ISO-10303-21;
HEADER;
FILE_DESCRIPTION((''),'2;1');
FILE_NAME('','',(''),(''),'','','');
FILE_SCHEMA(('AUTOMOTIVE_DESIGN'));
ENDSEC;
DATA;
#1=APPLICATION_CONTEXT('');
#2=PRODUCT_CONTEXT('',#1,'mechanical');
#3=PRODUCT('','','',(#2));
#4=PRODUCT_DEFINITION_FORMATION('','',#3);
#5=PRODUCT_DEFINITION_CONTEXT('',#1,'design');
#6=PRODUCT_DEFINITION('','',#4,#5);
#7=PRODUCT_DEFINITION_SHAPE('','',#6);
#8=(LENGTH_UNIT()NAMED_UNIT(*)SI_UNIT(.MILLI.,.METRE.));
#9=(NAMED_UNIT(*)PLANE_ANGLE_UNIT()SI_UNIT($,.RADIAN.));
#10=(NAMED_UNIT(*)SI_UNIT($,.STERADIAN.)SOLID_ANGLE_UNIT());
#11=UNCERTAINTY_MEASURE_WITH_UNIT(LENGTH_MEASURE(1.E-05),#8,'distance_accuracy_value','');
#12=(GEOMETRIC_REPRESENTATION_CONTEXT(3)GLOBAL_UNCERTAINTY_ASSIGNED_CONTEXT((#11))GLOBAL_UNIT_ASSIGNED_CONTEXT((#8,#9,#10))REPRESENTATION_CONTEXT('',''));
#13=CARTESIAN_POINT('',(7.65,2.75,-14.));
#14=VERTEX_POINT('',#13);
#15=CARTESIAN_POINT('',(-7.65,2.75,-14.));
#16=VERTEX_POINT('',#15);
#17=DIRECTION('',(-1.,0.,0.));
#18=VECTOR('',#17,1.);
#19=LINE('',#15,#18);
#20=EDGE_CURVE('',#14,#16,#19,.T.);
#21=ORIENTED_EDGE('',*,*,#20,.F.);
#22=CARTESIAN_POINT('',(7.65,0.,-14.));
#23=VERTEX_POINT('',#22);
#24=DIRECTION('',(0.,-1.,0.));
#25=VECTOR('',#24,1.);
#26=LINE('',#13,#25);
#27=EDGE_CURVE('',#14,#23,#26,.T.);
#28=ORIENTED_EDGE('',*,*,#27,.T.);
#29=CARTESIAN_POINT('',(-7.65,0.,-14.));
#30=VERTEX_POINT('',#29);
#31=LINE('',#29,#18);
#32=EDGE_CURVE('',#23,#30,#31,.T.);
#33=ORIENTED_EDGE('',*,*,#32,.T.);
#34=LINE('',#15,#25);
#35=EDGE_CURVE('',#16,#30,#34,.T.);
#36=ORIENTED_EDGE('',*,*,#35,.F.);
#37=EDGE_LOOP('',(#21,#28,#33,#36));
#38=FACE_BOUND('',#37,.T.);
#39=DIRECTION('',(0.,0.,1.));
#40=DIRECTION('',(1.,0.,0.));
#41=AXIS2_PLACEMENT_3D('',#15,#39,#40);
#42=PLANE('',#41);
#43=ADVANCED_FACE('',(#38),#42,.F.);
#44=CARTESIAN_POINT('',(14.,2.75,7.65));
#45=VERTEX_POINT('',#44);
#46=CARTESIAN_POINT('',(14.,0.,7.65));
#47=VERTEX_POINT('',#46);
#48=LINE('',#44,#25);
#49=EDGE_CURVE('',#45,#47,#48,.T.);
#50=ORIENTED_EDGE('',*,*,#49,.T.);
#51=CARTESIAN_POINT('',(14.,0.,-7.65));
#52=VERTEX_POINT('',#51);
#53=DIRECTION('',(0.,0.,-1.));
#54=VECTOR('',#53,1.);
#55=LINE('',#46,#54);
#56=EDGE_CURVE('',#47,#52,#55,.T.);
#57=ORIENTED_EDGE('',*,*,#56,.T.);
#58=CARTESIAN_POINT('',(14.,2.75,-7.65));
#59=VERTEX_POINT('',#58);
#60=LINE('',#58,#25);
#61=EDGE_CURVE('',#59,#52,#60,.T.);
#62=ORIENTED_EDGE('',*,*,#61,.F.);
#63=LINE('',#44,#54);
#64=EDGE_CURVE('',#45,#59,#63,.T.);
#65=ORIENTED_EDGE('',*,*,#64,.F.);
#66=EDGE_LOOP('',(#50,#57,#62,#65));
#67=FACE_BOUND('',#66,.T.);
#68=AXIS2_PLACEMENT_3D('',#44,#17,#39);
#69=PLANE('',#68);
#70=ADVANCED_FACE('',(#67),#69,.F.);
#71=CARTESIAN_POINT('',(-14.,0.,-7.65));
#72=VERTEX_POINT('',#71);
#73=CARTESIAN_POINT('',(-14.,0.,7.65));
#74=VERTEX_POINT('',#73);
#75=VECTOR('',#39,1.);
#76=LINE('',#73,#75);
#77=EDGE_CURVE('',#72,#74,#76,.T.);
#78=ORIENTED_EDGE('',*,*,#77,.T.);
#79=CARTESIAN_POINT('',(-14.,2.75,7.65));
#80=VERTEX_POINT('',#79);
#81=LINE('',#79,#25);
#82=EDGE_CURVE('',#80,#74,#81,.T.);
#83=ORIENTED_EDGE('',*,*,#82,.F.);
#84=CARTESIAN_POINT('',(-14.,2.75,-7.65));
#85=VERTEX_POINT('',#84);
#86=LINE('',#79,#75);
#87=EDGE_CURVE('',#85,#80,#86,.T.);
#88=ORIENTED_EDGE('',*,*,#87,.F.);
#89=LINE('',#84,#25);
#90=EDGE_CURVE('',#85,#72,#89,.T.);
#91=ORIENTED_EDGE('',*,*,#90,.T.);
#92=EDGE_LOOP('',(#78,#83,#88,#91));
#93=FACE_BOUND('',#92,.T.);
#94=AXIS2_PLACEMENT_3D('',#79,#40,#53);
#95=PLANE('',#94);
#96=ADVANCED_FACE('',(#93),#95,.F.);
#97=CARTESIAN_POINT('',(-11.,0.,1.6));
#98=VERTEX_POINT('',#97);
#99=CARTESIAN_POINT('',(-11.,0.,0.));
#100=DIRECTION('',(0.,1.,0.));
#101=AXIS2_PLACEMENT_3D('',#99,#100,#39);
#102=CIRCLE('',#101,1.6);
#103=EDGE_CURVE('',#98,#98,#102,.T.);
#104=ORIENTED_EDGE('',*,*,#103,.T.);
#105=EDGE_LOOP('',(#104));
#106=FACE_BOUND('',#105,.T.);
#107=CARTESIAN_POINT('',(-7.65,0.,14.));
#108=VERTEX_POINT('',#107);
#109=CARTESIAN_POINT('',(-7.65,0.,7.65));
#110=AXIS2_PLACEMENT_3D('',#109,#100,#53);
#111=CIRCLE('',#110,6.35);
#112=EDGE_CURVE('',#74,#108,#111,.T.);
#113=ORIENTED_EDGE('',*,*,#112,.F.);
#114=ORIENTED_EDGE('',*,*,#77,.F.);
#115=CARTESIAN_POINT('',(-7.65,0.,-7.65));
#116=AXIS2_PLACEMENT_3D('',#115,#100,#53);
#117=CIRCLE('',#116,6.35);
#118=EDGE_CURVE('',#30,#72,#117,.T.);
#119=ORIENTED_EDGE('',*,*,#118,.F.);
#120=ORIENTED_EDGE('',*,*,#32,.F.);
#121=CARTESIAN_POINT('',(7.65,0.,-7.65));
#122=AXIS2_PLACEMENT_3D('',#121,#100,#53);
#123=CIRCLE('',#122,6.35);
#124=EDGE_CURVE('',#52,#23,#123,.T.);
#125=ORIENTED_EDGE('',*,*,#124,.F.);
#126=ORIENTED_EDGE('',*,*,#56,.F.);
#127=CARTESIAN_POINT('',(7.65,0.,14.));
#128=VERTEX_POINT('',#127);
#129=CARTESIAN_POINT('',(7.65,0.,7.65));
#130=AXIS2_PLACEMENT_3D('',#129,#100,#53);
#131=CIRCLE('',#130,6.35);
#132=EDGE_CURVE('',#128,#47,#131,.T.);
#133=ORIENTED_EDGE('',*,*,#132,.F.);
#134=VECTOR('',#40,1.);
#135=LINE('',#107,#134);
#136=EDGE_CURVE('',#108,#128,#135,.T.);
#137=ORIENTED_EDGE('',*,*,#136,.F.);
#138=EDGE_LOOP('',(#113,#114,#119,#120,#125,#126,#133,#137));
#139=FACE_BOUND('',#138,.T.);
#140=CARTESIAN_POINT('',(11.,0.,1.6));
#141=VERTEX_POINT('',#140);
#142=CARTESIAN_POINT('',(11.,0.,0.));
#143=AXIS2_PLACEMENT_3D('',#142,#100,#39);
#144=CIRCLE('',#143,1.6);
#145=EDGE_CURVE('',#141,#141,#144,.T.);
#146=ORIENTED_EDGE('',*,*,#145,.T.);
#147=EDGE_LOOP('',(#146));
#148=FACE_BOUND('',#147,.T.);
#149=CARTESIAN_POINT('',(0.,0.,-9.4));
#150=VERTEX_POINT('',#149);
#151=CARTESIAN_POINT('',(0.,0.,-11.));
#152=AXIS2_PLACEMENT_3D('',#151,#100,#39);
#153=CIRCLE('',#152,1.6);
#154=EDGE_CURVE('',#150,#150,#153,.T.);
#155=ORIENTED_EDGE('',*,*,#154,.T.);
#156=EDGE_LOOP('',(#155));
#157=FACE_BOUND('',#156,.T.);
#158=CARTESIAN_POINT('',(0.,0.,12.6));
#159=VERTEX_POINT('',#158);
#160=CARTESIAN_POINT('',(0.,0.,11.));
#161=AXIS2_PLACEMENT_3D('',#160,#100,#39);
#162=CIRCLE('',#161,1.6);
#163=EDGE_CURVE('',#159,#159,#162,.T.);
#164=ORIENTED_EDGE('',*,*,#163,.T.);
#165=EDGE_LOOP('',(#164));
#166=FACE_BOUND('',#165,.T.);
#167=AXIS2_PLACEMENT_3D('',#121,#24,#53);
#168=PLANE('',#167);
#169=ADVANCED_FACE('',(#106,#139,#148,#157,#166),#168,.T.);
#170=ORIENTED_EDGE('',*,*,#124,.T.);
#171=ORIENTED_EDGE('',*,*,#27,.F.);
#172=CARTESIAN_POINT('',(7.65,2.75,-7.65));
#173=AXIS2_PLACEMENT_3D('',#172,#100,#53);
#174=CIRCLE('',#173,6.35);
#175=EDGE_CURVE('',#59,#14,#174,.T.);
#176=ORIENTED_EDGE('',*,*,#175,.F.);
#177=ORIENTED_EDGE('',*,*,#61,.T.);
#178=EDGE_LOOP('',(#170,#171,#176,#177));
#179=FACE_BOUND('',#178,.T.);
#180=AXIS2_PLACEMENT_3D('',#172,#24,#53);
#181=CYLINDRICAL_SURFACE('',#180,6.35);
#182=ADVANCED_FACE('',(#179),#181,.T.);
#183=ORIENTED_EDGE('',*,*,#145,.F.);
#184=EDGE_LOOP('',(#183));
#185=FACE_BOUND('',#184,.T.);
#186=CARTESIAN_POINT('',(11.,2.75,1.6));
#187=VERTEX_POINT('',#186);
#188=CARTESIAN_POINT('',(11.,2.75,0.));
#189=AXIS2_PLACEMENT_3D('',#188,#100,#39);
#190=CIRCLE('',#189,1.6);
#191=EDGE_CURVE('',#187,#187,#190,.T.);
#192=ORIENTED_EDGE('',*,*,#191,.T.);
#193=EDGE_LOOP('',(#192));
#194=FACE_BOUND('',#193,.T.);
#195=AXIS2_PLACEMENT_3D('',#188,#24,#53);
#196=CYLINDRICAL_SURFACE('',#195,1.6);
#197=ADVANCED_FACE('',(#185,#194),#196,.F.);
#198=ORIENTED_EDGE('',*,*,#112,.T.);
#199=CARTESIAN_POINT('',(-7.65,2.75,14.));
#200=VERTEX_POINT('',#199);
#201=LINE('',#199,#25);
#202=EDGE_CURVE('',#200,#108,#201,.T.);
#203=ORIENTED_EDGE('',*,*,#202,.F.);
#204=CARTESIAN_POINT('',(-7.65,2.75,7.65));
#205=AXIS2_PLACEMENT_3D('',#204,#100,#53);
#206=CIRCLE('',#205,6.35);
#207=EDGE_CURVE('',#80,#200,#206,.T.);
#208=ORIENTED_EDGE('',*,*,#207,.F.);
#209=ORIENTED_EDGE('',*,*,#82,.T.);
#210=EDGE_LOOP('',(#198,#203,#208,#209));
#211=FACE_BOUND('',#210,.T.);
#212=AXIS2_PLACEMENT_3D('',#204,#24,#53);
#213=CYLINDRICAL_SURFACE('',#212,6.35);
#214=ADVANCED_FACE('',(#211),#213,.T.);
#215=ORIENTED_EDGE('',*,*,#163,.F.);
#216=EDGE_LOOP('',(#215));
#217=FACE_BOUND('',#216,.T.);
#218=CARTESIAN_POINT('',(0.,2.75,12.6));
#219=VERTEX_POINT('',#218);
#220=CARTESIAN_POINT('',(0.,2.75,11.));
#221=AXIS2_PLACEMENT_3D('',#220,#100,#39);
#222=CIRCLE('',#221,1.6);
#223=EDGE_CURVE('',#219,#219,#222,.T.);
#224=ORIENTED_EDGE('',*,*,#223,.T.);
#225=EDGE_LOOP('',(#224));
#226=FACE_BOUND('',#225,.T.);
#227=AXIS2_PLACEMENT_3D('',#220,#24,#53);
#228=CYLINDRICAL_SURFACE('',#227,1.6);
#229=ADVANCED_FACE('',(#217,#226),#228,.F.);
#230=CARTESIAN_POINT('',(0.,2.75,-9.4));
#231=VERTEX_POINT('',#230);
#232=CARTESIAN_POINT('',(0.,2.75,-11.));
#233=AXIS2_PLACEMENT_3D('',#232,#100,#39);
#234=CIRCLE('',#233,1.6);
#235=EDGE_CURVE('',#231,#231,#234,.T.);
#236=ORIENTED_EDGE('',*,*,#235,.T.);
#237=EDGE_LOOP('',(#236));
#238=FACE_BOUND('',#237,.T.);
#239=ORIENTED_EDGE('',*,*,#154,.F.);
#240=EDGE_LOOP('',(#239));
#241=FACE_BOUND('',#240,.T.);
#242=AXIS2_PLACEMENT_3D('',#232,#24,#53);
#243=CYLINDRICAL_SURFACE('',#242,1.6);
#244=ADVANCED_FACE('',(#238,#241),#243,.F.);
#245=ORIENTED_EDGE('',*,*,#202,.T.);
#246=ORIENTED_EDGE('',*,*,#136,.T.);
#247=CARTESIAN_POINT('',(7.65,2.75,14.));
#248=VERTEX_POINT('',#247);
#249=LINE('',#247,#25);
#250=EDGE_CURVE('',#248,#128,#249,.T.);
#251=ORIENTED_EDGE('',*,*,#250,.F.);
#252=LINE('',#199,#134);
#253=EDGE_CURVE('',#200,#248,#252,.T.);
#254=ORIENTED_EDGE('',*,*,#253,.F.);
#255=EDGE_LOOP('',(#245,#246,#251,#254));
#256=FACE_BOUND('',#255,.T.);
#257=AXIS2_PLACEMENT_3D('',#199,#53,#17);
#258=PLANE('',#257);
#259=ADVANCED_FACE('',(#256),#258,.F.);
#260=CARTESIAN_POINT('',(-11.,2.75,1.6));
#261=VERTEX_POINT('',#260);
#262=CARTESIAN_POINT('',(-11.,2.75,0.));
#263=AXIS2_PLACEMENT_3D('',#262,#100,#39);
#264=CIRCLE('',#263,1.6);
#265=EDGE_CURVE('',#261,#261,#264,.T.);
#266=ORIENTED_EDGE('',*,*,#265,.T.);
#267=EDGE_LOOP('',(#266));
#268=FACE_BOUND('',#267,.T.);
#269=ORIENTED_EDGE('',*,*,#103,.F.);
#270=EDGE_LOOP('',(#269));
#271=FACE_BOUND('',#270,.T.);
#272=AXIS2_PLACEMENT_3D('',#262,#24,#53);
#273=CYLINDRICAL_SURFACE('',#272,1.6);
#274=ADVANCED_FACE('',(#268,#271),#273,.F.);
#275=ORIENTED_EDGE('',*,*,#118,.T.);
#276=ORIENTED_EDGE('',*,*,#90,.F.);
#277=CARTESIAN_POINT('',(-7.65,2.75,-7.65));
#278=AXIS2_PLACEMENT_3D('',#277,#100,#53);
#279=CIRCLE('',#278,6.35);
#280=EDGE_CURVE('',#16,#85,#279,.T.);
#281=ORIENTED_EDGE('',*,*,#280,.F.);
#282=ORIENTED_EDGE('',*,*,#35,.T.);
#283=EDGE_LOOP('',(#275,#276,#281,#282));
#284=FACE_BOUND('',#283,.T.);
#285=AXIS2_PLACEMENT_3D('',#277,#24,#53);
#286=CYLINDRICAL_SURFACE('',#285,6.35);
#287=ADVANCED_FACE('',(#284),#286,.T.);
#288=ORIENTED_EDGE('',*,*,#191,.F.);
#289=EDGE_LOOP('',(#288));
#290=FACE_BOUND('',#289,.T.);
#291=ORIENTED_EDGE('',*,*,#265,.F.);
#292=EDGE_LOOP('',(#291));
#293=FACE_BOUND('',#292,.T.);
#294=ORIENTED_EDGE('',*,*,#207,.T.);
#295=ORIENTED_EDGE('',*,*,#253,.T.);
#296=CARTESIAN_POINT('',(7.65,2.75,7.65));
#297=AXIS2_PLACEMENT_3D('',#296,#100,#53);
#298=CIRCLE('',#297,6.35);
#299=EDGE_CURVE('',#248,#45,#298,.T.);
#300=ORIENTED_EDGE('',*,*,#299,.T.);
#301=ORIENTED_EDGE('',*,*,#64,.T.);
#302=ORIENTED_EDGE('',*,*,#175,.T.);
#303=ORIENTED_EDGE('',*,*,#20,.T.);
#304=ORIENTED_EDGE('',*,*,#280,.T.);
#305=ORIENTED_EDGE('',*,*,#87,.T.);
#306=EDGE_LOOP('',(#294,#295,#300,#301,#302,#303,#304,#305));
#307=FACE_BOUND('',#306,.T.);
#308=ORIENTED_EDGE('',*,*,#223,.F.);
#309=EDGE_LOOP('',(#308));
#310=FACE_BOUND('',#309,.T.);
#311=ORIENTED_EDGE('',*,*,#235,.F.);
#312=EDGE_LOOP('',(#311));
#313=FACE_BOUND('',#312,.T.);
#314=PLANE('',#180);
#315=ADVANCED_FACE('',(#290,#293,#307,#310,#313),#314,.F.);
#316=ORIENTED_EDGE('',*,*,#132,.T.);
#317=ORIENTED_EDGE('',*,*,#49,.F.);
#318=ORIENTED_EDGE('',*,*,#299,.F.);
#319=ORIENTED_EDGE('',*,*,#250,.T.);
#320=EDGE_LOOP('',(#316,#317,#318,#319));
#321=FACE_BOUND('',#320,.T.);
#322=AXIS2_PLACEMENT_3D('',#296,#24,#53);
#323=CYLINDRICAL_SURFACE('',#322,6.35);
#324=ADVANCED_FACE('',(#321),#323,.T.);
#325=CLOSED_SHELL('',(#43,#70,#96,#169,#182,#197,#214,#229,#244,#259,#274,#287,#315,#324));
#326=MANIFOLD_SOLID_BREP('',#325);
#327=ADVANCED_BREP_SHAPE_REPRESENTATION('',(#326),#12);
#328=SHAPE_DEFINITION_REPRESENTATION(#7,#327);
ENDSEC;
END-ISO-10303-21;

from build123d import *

# Parameters (mm, degrees)
SKETCH1_R           = 1.6
BOSS_EXTRUDE1_DEPTH = 2.75


with BuildPart() as part:
    # Sketch1 → Boss-Extrude1 (new body)
    with BuildSketch(Plane(origin=(0, 0, 0), x_dir=(1, 0, 0), z_dir=(0, 1, 0))):
        with BuildLine():
            Line((-7.65, -14), (7.65, -14))
            ThreePointArc((7.65, -14), (12.140128061, -12.140128061), (14, -7.65))
            Line((14, -7.65), (14, 7.65))
            ThreePointArc((14, 7.65), (12.140128061, 12.140128061), (7.65, 14))
            Line((7.65, 14), (-7.65, 14))
            ThreePointArc((-7.65, 14), (-12.140128061, 12.140128061), (-14, 7.65))
            Line((-14, 7.65), (-14, -7.65))
            ThreePointArc((-14, -7.65), (-12.140128061, -12.140128061), (-7.65, -14))
        make_face()
        with Locations(Location((-11, 0, 0), (0, 0, 270))):
            Circle(SKETCH1_R, mode=Mode.SUBTRACT)
        with Locations(Location((0, -11, 0), (0, 0, 270))):
            Circle(SKETCH1_R, mode=Mode.SUBTRACT)
        with Locations(Location((11, 0, 0), (0, 0, 270))):
            Circle(SKETCH1_R, mode=Mode.SUBTRACT)
        with Locations(Location((0, 11, 0), (0, 0, 270))):
            Circle(SKETCH1_R, mode=Mode.SUBTRACT)
    extrude(amount=BOSS_EXTRUDE1_DEPTH)


solid = part.part
